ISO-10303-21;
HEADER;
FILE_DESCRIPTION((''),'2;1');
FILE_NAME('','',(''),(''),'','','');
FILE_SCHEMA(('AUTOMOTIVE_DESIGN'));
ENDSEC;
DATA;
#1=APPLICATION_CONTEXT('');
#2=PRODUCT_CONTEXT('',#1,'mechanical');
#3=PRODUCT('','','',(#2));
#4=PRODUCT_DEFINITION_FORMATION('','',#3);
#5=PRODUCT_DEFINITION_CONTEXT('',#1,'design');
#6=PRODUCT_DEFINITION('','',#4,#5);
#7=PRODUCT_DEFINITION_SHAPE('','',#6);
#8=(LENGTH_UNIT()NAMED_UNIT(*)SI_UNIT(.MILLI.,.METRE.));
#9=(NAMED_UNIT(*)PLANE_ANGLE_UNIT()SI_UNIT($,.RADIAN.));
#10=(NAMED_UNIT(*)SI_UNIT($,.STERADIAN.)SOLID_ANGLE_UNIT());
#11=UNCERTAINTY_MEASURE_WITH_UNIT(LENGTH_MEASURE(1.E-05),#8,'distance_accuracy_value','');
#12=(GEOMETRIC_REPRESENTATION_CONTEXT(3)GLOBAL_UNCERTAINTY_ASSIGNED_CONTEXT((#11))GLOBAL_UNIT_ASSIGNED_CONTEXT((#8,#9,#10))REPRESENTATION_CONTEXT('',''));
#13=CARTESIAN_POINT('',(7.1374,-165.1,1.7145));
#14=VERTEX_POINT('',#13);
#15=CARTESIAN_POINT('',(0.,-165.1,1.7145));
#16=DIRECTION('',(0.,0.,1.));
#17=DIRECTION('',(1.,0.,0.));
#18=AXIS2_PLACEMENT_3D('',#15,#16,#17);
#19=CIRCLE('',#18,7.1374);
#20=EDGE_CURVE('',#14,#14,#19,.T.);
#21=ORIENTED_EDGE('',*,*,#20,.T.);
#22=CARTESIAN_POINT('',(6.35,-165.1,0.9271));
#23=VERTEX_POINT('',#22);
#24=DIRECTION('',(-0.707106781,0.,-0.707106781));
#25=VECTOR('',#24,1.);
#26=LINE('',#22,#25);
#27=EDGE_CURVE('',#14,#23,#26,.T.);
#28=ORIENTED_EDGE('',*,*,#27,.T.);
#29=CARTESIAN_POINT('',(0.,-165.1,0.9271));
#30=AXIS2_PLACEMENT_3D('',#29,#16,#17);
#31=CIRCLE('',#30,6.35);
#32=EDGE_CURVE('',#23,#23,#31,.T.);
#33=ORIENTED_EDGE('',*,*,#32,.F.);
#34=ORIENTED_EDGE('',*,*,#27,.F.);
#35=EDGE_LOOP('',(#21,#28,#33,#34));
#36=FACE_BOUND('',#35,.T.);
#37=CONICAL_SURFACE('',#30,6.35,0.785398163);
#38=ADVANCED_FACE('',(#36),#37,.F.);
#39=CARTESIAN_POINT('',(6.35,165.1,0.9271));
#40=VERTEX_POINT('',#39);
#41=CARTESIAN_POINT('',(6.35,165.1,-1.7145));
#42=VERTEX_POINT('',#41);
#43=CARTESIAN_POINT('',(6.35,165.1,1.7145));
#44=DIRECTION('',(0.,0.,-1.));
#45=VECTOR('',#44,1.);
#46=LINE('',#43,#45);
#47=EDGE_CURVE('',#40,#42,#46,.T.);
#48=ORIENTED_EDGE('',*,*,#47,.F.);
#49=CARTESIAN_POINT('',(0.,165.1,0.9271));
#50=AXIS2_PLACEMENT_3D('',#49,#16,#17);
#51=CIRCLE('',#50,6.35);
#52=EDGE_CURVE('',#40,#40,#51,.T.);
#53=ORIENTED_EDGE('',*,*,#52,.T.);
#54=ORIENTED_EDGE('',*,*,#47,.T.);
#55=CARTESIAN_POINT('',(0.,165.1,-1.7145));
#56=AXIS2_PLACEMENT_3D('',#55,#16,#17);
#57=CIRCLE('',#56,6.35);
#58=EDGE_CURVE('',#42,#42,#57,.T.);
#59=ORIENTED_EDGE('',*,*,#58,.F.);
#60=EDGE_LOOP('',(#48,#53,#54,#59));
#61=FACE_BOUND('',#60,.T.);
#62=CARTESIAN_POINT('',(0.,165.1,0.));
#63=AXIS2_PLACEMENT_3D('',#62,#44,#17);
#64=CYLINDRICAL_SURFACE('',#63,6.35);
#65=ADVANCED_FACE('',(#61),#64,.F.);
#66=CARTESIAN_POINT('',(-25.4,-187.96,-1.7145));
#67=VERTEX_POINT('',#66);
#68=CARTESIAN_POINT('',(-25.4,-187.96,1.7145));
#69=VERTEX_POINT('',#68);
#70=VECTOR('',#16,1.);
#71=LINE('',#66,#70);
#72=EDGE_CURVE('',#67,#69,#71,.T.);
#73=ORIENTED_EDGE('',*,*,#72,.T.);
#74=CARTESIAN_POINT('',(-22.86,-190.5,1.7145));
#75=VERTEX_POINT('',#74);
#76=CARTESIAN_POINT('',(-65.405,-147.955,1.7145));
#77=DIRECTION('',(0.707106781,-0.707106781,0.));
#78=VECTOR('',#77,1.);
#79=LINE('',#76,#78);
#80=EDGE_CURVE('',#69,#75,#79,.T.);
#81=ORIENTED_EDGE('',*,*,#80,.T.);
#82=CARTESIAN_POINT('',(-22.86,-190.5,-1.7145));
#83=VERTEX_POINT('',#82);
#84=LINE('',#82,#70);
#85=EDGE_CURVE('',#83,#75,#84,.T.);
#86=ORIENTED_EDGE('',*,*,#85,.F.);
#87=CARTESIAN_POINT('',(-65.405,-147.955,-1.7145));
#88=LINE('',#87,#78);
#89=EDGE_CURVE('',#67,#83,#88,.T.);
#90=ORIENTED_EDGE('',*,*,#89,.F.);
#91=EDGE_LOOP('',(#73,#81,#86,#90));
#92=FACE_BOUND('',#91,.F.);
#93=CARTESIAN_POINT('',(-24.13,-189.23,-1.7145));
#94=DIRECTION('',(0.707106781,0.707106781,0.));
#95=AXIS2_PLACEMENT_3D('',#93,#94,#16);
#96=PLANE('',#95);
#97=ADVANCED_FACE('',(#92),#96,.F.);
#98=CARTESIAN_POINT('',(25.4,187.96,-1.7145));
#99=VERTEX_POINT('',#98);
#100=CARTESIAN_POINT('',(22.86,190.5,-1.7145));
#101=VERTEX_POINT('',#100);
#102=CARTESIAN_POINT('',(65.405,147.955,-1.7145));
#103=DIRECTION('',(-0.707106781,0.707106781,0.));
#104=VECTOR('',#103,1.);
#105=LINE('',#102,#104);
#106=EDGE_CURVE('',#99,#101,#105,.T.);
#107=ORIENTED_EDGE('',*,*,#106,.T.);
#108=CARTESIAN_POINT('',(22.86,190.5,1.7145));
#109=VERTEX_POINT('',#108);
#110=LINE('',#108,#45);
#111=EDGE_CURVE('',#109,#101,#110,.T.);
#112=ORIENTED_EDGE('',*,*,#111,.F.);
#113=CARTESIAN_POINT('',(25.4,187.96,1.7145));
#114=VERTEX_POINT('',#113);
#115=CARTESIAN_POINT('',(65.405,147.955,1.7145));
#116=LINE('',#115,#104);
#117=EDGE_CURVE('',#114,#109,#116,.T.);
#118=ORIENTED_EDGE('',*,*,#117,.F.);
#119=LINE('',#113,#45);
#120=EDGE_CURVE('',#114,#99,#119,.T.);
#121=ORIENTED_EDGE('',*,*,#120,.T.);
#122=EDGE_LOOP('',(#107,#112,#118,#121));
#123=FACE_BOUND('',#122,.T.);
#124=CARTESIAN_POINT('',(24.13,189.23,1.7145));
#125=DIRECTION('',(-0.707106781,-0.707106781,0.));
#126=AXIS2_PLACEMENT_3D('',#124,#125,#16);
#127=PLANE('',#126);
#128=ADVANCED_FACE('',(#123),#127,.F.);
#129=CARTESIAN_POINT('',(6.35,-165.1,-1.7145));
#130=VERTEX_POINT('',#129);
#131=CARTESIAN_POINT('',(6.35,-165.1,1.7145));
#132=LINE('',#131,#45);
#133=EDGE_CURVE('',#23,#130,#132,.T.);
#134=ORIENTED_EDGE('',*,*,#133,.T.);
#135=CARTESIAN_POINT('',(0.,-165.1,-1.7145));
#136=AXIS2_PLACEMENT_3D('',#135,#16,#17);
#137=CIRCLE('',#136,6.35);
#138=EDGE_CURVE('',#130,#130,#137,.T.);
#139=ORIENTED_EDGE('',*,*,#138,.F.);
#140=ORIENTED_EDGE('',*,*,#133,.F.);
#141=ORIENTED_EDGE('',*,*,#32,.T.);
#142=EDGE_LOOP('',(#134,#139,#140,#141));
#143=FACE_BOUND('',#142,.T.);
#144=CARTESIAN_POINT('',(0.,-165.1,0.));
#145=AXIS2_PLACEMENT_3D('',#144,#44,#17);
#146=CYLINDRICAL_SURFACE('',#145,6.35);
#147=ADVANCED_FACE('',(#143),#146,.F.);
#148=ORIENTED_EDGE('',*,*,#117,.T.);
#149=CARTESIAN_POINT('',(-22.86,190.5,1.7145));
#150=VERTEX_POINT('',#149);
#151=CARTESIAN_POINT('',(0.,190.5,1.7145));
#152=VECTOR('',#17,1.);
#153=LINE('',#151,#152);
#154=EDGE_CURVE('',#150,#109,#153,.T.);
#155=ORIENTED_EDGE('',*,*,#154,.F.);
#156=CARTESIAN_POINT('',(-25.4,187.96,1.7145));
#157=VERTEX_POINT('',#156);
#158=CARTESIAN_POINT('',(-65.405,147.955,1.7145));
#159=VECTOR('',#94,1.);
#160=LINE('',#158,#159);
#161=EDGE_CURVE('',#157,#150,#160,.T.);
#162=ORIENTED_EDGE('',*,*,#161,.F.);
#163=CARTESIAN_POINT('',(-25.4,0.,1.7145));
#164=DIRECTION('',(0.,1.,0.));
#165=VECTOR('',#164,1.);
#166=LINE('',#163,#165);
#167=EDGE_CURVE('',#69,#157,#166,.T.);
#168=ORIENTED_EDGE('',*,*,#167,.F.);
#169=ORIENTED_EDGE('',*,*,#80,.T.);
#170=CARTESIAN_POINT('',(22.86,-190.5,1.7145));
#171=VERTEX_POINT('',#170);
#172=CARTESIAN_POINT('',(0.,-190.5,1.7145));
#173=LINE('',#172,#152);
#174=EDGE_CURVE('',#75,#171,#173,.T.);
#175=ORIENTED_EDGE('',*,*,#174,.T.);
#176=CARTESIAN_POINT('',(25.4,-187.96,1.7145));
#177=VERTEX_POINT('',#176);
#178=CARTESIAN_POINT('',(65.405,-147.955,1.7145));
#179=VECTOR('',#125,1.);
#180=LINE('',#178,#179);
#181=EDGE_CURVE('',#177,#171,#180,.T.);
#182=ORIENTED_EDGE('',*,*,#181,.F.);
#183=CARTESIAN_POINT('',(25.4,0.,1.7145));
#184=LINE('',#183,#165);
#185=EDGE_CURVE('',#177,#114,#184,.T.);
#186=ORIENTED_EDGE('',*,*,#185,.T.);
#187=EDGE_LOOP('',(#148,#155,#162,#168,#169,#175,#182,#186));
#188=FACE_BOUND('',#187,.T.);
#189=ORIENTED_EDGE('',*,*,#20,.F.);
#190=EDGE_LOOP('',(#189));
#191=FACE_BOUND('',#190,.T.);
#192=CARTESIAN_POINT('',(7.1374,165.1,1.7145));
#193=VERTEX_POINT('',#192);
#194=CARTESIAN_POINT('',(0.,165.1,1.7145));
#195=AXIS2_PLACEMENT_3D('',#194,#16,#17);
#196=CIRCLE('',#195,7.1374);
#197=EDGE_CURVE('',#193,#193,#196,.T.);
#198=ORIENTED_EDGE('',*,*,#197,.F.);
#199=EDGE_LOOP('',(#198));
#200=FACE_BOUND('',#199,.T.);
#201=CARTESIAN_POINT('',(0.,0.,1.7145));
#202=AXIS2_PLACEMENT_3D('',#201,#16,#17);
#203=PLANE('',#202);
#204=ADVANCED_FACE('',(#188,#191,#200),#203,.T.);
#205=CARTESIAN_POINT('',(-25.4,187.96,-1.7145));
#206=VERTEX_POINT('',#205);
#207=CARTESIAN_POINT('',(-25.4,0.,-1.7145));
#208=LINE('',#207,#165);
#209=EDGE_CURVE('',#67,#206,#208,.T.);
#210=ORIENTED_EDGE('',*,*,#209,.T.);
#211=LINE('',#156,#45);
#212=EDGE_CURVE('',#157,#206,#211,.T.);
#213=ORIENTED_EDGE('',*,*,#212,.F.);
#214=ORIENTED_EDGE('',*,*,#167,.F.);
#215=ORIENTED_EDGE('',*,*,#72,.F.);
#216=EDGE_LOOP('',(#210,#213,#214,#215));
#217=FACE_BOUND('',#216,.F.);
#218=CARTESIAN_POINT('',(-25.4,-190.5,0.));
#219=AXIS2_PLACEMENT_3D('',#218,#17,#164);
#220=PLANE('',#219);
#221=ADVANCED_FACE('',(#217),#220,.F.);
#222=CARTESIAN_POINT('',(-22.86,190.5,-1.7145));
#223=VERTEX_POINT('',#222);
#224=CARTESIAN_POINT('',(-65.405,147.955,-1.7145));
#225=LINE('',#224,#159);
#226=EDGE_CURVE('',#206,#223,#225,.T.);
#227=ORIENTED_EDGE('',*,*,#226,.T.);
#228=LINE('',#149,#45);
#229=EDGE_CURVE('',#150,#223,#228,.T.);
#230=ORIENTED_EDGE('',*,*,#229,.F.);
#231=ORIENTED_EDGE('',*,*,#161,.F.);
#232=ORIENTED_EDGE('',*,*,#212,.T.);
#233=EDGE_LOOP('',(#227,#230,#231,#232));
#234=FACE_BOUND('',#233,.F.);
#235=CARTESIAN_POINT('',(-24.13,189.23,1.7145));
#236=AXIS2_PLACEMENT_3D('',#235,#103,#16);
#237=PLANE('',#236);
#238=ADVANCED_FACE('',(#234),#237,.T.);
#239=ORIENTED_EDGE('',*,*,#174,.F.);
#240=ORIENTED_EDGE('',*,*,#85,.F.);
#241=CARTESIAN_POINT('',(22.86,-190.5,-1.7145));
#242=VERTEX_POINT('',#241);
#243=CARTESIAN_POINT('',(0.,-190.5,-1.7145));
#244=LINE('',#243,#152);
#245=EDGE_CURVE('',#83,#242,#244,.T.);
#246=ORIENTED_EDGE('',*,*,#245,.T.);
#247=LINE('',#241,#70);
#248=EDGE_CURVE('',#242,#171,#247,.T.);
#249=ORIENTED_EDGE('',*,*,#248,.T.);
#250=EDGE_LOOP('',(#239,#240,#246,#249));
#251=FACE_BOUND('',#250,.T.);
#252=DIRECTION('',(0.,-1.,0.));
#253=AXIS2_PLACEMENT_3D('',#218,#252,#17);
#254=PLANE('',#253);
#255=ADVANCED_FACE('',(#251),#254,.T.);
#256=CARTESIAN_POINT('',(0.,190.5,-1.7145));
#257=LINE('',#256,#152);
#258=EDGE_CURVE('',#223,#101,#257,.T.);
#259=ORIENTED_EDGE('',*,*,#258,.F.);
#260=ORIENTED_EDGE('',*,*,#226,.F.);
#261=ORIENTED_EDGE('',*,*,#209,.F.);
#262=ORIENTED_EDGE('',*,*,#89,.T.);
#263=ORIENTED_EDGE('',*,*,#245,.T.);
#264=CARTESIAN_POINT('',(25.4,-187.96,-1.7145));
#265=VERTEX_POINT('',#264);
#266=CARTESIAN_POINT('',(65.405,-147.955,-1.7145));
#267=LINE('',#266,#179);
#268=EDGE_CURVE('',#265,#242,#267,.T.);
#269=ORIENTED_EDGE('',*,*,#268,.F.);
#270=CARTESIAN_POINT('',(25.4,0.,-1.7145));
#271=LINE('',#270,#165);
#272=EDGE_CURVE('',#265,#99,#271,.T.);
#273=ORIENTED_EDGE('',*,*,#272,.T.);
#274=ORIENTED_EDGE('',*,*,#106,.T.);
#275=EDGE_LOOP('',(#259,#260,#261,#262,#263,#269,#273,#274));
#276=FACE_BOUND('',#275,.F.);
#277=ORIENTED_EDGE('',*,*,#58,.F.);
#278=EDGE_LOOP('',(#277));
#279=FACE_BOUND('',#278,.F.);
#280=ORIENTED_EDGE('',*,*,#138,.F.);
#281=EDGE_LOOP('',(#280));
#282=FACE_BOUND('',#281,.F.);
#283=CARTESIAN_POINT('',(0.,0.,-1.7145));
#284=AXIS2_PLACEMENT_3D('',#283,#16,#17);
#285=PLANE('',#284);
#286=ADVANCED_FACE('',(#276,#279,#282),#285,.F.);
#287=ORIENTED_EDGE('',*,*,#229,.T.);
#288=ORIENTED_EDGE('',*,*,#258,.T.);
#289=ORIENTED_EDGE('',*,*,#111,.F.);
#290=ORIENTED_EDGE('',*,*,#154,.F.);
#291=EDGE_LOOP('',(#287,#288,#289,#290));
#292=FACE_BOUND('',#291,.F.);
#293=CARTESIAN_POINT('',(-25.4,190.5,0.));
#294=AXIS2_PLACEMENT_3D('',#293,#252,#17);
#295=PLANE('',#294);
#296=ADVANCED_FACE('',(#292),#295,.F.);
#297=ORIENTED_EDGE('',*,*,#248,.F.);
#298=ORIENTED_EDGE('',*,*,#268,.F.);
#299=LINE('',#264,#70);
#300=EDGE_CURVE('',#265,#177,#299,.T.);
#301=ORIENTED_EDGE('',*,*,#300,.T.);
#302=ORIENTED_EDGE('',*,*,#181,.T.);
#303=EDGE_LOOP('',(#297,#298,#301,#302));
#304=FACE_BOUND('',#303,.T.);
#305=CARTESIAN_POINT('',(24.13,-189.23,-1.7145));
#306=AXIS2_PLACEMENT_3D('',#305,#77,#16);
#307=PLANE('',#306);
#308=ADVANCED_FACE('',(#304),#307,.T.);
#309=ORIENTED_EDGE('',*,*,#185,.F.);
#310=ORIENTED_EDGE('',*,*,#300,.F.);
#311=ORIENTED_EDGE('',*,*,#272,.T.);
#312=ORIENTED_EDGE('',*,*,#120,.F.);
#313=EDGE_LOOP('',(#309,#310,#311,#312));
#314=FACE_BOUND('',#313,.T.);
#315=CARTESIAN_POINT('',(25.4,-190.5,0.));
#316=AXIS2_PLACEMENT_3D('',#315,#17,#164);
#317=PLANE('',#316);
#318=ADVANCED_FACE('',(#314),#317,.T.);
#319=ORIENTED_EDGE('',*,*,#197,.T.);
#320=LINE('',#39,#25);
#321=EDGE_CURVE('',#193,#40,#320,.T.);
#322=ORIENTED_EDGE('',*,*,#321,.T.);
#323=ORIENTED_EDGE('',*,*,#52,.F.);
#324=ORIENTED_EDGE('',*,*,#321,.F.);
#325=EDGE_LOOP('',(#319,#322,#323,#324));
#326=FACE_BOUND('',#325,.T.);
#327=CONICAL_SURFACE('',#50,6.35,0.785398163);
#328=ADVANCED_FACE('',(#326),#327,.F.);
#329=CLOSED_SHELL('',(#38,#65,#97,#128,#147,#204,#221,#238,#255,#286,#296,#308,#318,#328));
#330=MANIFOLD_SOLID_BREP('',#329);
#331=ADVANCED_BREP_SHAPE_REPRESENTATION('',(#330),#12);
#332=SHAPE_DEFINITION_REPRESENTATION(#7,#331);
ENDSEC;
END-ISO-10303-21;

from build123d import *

# Parameters (mm, degrees)
F0_W     = 50.8
F0_H     = 381
F0_R     = 6.35
F1_DEPTH = 1.7145
F2_SIZE  = 2.54
F3_SIZE  = 0.7874


with BuildPart() as f1:
    # F0 (on Top) → F1 (new body, symmetric)
    with BuildSketch(Plane.XY):
        Rectangle(F0_W, F0_H)
        with Locations((0, -165.1)):
            Circle(F0_R, mode=Mode.SUBTRACT)
        with Locations((0, 165.1)):
            Circle(F0_R, mode=Mode.SUBTRACT)
    extrude(amount=F1_DEPTH, both=True)

    # F2
    f2_edges = [f1.edges().sort_by_distance(p)[0] for p in [
        (25.4, -190.5, 0),
        (-25.4, -190.5, 0),
        (-25.4, 190.5, 0),
        (25.4, 190.5, 0),
    ]]
    chamfer(f2_edges, length=F2_SIZE)

    # F3
    f3_edges = [f1.edges().sort_by_distance(p)[0] for p in [
        (-6.35, -165.1, 1.7145),
        (-6.35, 165.1, 1.7145),
    ]]
    chamfer(f3_edges, length=F3_SIZE)


solid = f1.part
